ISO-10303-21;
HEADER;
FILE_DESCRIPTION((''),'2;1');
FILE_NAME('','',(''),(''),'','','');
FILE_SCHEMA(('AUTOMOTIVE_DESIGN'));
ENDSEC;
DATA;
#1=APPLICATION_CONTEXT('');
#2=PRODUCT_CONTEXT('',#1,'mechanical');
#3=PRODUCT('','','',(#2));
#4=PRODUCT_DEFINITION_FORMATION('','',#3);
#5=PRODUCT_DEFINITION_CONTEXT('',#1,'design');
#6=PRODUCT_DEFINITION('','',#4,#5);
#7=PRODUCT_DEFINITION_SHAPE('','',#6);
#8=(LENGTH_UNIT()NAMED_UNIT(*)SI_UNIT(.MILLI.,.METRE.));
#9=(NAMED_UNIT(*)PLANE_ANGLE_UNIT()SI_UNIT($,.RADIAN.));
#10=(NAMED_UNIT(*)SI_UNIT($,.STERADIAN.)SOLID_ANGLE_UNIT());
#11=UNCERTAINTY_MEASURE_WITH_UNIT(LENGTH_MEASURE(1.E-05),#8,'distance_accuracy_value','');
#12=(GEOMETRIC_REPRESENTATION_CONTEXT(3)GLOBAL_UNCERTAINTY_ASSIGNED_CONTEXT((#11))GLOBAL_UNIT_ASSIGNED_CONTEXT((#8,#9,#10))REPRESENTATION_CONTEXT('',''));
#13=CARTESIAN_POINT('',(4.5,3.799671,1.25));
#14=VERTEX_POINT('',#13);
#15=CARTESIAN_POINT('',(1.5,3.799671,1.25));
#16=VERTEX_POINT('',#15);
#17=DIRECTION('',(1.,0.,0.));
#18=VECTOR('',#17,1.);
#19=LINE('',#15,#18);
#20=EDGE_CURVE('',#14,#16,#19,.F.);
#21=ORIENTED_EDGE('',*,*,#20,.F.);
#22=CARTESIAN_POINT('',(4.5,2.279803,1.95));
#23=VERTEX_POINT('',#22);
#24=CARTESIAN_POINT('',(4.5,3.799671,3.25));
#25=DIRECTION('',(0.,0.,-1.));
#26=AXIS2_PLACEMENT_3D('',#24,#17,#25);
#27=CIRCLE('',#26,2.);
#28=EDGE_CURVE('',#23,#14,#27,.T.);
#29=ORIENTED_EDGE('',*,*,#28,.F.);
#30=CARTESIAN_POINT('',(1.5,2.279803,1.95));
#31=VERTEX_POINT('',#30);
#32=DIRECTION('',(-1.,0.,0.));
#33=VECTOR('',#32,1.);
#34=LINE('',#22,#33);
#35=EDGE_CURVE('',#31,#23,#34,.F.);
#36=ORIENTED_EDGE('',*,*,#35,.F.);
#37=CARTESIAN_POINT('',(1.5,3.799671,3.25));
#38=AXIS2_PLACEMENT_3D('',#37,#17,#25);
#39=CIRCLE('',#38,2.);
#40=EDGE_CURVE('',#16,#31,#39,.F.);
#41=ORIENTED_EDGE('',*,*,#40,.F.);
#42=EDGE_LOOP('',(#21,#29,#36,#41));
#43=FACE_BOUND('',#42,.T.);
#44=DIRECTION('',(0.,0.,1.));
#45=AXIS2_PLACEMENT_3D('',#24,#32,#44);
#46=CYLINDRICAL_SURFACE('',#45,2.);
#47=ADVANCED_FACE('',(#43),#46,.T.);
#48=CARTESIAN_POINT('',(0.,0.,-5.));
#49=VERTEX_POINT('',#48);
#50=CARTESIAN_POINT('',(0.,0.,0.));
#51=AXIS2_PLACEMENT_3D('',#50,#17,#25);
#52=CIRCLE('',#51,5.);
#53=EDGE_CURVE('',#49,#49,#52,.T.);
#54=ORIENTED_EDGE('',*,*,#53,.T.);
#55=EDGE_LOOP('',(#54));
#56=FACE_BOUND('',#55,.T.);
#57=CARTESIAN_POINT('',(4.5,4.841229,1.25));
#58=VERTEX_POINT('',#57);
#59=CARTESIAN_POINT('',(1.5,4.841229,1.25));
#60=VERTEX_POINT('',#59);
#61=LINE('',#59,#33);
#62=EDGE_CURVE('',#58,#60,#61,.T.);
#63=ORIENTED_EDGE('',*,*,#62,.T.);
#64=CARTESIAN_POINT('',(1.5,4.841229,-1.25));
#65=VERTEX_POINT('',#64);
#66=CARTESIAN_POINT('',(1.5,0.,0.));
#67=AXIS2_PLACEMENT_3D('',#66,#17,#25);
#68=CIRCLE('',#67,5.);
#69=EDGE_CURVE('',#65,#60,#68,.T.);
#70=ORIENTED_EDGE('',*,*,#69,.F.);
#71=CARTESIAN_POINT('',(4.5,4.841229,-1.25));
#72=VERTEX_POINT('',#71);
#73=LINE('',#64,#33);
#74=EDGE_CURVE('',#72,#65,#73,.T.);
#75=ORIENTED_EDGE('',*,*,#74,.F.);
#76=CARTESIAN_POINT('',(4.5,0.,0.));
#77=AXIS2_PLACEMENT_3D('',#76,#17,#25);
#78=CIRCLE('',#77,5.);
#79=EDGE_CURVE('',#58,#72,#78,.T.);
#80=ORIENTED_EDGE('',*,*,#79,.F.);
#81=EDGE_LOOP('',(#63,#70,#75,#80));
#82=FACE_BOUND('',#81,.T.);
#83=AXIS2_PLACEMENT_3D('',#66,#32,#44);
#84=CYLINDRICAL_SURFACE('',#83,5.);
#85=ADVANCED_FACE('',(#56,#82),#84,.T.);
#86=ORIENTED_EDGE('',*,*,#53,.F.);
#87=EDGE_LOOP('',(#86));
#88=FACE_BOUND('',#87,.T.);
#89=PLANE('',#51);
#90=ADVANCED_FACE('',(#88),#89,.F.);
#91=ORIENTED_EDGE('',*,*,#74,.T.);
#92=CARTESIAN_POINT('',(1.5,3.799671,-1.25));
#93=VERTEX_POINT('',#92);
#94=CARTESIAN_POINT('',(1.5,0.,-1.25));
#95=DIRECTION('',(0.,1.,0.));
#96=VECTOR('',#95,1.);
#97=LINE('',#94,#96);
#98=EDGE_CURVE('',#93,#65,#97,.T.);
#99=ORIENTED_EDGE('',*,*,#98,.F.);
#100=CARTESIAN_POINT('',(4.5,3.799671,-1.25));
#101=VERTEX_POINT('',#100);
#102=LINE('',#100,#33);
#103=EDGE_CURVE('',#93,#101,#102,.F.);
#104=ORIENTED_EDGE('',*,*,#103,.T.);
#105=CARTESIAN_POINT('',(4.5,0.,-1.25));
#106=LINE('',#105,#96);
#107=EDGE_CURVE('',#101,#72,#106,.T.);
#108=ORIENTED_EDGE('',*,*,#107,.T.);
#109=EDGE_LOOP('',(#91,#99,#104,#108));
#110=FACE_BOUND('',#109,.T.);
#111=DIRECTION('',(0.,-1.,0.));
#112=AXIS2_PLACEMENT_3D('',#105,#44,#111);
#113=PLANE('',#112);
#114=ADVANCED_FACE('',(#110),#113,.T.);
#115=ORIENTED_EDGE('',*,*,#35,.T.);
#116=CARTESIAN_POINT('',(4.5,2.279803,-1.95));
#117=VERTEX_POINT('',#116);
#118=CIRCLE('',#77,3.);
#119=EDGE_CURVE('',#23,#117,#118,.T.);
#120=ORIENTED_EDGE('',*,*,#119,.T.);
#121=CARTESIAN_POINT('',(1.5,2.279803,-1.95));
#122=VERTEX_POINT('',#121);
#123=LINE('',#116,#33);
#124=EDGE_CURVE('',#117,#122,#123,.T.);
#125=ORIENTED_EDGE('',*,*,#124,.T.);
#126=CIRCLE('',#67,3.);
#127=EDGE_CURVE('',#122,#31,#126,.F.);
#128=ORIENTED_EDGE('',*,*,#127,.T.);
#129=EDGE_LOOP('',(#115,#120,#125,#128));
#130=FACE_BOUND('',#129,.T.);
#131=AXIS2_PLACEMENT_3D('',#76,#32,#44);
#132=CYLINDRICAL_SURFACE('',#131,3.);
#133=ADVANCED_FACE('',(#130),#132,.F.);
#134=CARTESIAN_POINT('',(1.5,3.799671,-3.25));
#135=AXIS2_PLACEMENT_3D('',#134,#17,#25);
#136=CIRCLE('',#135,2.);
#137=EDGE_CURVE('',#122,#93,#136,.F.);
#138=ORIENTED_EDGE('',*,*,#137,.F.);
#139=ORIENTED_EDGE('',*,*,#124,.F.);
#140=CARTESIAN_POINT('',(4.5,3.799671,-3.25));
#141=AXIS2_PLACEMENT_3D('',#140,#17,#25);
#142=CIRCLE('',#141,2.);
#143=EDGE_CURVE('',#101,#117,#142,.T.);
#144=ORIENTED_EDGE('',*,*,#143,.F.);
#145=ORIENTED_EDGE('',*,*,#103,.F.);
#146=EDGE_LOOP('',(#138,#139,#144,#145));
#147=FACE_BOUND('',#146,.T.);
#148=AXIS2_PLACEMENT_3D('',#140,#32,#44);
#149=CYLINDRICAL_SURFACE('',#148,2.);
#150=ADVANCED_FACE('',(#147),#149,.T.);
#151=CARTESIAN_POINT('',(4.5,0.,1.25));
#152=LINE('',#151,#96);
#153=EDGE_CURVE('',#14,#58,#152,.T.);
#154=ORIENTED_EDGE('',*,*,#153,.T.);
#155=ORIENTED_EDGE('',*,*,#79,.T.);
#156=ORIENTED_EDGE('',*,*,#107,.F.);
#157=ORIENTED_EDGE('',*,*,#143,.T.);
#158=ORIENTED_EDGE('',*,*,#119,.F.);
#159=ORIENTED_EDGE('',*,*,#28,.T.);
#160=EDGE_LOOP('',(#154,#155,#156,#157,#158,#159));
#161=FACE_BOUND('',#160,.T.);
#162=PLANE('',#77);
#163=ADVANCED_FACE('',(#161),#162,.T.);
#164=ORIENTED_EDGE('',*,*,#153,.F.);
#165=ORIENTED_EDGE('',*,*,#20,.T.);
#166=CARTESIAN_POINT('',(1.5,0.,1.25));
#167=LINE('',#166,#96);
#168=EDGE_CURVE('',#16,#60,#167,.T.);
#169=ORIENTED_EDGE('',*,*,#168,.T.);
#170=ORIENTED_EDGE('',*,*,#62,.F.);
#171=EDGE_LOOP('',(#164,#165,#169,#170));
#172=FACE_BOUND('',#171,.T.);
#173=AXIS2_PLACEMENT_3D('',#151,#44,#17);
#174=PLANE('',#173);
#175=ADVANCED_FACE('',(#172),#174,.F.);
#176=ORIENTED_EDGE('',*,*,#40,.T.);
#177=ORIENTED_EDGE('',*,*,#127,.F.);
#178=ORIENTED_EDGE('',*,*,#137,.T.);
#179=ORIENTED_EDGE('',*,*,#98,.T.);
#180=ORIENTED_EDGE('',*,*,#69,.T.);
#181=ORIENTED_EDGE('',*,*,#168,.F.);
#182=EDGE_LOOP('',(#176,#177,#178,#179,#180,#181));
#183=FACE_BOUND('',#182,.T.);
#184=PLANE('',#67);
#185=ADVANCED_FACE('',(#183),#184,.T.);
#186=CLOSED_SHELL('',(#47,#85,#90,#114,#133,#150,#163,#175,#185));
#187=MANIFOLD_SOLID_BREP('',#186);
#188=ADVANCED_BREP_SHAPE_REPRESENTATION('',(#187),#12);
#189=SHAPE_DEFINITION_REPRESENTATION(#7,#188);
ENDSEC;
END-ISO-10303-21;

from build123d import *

# Parameters (mm, degrees)
SKETCH1_R           = 5
BOSS_EXTRUDE1_DEPTH = 1.5
SKETCH2_R           = 5
SKETCH2_R_2         = 3
BOSS_EXTRUDE2_DEPTH = 3
CUT_EXTRUDE1_DEPTH  = 8.681145748
FILLET1_R           = 2


with BuildPart() as part:
    # Sketch1 → Boss-Extrude1 (new body)
    with BuildSketch(Plane(origin=(0, 0, 0), x_dir=(0, 0, -1), z_dir=(1, 0, 0))):
        Circle(SKETCH1_R)
    extrude(amount=BOSS_EXTRUDE1_DEPTH)

    # Sketch2 → Boss-Extrude2 (add)
    with BuildSketch(Plane(origin=(1.5, 0, 0), x_dir=(0, 0, -1), z_dir=(1, 0, 0))):
        Circle(SKETCH2_R)
        Circle(SKETCH2_R_2, mode=Mode.SUBTRACT)
    extrude(amount=BOSS_EXTRUDE2_DEPTH)

    # Sketch3 → Cut-Extrude1 (cut, through all)
    with BuildSketch(Plane(origin=(1.5, 0, 0), x_dir=(0, 0, -1), z_dir=(1, 0, 0))):
        with BuildLine():
            Line((-1.25, 6), (-1.25, 2.727178029))
            ThreePointArc((-1.25, 2.727178029), (0, 3), (1.25, 2.727178029))
            Line((1.25, 2.727178029), (1.25, 6))
            Line((1.25, 6), (-1.25, 6))
        make_face()
        with BuildLine():
            Line((-1.25, 2.727178029), (-1.25, 0))
            Line((-1.25, 0), (1.25, 0))
            Line((1.25, 0), (1.25, 2.727178029))
            ThreePointArc((1.25, 2.727178029), (0, 3), (-1.25, 2.727178029))
        make_face()
        with BuildLine():
            Line((1.25, 0), (-1.25, 0))
            Line((-1.25, 0), (-1.25, -2.727178029))
            ThreePointArc((-1.25, -2.727178029), (0, -3), (1.25, -2.727178029))
            Line((1.25, -2.727178029), (1.25, 0))
        make_face()
    extrude(amount=CUT_EXTRUDE1_DEPTH, mode=Mode.SUBTRACT)

    # Fillet1
    fillet1_edges = [part.edges().sort_by_distance(p)[0] for p in [
        (3, 2.727178029, 1.25),
        (3, 2.727178029, -1.25),
    ]]
    fillet(fillet1_edges, radius=FILLET1_R)


solid = part.part
